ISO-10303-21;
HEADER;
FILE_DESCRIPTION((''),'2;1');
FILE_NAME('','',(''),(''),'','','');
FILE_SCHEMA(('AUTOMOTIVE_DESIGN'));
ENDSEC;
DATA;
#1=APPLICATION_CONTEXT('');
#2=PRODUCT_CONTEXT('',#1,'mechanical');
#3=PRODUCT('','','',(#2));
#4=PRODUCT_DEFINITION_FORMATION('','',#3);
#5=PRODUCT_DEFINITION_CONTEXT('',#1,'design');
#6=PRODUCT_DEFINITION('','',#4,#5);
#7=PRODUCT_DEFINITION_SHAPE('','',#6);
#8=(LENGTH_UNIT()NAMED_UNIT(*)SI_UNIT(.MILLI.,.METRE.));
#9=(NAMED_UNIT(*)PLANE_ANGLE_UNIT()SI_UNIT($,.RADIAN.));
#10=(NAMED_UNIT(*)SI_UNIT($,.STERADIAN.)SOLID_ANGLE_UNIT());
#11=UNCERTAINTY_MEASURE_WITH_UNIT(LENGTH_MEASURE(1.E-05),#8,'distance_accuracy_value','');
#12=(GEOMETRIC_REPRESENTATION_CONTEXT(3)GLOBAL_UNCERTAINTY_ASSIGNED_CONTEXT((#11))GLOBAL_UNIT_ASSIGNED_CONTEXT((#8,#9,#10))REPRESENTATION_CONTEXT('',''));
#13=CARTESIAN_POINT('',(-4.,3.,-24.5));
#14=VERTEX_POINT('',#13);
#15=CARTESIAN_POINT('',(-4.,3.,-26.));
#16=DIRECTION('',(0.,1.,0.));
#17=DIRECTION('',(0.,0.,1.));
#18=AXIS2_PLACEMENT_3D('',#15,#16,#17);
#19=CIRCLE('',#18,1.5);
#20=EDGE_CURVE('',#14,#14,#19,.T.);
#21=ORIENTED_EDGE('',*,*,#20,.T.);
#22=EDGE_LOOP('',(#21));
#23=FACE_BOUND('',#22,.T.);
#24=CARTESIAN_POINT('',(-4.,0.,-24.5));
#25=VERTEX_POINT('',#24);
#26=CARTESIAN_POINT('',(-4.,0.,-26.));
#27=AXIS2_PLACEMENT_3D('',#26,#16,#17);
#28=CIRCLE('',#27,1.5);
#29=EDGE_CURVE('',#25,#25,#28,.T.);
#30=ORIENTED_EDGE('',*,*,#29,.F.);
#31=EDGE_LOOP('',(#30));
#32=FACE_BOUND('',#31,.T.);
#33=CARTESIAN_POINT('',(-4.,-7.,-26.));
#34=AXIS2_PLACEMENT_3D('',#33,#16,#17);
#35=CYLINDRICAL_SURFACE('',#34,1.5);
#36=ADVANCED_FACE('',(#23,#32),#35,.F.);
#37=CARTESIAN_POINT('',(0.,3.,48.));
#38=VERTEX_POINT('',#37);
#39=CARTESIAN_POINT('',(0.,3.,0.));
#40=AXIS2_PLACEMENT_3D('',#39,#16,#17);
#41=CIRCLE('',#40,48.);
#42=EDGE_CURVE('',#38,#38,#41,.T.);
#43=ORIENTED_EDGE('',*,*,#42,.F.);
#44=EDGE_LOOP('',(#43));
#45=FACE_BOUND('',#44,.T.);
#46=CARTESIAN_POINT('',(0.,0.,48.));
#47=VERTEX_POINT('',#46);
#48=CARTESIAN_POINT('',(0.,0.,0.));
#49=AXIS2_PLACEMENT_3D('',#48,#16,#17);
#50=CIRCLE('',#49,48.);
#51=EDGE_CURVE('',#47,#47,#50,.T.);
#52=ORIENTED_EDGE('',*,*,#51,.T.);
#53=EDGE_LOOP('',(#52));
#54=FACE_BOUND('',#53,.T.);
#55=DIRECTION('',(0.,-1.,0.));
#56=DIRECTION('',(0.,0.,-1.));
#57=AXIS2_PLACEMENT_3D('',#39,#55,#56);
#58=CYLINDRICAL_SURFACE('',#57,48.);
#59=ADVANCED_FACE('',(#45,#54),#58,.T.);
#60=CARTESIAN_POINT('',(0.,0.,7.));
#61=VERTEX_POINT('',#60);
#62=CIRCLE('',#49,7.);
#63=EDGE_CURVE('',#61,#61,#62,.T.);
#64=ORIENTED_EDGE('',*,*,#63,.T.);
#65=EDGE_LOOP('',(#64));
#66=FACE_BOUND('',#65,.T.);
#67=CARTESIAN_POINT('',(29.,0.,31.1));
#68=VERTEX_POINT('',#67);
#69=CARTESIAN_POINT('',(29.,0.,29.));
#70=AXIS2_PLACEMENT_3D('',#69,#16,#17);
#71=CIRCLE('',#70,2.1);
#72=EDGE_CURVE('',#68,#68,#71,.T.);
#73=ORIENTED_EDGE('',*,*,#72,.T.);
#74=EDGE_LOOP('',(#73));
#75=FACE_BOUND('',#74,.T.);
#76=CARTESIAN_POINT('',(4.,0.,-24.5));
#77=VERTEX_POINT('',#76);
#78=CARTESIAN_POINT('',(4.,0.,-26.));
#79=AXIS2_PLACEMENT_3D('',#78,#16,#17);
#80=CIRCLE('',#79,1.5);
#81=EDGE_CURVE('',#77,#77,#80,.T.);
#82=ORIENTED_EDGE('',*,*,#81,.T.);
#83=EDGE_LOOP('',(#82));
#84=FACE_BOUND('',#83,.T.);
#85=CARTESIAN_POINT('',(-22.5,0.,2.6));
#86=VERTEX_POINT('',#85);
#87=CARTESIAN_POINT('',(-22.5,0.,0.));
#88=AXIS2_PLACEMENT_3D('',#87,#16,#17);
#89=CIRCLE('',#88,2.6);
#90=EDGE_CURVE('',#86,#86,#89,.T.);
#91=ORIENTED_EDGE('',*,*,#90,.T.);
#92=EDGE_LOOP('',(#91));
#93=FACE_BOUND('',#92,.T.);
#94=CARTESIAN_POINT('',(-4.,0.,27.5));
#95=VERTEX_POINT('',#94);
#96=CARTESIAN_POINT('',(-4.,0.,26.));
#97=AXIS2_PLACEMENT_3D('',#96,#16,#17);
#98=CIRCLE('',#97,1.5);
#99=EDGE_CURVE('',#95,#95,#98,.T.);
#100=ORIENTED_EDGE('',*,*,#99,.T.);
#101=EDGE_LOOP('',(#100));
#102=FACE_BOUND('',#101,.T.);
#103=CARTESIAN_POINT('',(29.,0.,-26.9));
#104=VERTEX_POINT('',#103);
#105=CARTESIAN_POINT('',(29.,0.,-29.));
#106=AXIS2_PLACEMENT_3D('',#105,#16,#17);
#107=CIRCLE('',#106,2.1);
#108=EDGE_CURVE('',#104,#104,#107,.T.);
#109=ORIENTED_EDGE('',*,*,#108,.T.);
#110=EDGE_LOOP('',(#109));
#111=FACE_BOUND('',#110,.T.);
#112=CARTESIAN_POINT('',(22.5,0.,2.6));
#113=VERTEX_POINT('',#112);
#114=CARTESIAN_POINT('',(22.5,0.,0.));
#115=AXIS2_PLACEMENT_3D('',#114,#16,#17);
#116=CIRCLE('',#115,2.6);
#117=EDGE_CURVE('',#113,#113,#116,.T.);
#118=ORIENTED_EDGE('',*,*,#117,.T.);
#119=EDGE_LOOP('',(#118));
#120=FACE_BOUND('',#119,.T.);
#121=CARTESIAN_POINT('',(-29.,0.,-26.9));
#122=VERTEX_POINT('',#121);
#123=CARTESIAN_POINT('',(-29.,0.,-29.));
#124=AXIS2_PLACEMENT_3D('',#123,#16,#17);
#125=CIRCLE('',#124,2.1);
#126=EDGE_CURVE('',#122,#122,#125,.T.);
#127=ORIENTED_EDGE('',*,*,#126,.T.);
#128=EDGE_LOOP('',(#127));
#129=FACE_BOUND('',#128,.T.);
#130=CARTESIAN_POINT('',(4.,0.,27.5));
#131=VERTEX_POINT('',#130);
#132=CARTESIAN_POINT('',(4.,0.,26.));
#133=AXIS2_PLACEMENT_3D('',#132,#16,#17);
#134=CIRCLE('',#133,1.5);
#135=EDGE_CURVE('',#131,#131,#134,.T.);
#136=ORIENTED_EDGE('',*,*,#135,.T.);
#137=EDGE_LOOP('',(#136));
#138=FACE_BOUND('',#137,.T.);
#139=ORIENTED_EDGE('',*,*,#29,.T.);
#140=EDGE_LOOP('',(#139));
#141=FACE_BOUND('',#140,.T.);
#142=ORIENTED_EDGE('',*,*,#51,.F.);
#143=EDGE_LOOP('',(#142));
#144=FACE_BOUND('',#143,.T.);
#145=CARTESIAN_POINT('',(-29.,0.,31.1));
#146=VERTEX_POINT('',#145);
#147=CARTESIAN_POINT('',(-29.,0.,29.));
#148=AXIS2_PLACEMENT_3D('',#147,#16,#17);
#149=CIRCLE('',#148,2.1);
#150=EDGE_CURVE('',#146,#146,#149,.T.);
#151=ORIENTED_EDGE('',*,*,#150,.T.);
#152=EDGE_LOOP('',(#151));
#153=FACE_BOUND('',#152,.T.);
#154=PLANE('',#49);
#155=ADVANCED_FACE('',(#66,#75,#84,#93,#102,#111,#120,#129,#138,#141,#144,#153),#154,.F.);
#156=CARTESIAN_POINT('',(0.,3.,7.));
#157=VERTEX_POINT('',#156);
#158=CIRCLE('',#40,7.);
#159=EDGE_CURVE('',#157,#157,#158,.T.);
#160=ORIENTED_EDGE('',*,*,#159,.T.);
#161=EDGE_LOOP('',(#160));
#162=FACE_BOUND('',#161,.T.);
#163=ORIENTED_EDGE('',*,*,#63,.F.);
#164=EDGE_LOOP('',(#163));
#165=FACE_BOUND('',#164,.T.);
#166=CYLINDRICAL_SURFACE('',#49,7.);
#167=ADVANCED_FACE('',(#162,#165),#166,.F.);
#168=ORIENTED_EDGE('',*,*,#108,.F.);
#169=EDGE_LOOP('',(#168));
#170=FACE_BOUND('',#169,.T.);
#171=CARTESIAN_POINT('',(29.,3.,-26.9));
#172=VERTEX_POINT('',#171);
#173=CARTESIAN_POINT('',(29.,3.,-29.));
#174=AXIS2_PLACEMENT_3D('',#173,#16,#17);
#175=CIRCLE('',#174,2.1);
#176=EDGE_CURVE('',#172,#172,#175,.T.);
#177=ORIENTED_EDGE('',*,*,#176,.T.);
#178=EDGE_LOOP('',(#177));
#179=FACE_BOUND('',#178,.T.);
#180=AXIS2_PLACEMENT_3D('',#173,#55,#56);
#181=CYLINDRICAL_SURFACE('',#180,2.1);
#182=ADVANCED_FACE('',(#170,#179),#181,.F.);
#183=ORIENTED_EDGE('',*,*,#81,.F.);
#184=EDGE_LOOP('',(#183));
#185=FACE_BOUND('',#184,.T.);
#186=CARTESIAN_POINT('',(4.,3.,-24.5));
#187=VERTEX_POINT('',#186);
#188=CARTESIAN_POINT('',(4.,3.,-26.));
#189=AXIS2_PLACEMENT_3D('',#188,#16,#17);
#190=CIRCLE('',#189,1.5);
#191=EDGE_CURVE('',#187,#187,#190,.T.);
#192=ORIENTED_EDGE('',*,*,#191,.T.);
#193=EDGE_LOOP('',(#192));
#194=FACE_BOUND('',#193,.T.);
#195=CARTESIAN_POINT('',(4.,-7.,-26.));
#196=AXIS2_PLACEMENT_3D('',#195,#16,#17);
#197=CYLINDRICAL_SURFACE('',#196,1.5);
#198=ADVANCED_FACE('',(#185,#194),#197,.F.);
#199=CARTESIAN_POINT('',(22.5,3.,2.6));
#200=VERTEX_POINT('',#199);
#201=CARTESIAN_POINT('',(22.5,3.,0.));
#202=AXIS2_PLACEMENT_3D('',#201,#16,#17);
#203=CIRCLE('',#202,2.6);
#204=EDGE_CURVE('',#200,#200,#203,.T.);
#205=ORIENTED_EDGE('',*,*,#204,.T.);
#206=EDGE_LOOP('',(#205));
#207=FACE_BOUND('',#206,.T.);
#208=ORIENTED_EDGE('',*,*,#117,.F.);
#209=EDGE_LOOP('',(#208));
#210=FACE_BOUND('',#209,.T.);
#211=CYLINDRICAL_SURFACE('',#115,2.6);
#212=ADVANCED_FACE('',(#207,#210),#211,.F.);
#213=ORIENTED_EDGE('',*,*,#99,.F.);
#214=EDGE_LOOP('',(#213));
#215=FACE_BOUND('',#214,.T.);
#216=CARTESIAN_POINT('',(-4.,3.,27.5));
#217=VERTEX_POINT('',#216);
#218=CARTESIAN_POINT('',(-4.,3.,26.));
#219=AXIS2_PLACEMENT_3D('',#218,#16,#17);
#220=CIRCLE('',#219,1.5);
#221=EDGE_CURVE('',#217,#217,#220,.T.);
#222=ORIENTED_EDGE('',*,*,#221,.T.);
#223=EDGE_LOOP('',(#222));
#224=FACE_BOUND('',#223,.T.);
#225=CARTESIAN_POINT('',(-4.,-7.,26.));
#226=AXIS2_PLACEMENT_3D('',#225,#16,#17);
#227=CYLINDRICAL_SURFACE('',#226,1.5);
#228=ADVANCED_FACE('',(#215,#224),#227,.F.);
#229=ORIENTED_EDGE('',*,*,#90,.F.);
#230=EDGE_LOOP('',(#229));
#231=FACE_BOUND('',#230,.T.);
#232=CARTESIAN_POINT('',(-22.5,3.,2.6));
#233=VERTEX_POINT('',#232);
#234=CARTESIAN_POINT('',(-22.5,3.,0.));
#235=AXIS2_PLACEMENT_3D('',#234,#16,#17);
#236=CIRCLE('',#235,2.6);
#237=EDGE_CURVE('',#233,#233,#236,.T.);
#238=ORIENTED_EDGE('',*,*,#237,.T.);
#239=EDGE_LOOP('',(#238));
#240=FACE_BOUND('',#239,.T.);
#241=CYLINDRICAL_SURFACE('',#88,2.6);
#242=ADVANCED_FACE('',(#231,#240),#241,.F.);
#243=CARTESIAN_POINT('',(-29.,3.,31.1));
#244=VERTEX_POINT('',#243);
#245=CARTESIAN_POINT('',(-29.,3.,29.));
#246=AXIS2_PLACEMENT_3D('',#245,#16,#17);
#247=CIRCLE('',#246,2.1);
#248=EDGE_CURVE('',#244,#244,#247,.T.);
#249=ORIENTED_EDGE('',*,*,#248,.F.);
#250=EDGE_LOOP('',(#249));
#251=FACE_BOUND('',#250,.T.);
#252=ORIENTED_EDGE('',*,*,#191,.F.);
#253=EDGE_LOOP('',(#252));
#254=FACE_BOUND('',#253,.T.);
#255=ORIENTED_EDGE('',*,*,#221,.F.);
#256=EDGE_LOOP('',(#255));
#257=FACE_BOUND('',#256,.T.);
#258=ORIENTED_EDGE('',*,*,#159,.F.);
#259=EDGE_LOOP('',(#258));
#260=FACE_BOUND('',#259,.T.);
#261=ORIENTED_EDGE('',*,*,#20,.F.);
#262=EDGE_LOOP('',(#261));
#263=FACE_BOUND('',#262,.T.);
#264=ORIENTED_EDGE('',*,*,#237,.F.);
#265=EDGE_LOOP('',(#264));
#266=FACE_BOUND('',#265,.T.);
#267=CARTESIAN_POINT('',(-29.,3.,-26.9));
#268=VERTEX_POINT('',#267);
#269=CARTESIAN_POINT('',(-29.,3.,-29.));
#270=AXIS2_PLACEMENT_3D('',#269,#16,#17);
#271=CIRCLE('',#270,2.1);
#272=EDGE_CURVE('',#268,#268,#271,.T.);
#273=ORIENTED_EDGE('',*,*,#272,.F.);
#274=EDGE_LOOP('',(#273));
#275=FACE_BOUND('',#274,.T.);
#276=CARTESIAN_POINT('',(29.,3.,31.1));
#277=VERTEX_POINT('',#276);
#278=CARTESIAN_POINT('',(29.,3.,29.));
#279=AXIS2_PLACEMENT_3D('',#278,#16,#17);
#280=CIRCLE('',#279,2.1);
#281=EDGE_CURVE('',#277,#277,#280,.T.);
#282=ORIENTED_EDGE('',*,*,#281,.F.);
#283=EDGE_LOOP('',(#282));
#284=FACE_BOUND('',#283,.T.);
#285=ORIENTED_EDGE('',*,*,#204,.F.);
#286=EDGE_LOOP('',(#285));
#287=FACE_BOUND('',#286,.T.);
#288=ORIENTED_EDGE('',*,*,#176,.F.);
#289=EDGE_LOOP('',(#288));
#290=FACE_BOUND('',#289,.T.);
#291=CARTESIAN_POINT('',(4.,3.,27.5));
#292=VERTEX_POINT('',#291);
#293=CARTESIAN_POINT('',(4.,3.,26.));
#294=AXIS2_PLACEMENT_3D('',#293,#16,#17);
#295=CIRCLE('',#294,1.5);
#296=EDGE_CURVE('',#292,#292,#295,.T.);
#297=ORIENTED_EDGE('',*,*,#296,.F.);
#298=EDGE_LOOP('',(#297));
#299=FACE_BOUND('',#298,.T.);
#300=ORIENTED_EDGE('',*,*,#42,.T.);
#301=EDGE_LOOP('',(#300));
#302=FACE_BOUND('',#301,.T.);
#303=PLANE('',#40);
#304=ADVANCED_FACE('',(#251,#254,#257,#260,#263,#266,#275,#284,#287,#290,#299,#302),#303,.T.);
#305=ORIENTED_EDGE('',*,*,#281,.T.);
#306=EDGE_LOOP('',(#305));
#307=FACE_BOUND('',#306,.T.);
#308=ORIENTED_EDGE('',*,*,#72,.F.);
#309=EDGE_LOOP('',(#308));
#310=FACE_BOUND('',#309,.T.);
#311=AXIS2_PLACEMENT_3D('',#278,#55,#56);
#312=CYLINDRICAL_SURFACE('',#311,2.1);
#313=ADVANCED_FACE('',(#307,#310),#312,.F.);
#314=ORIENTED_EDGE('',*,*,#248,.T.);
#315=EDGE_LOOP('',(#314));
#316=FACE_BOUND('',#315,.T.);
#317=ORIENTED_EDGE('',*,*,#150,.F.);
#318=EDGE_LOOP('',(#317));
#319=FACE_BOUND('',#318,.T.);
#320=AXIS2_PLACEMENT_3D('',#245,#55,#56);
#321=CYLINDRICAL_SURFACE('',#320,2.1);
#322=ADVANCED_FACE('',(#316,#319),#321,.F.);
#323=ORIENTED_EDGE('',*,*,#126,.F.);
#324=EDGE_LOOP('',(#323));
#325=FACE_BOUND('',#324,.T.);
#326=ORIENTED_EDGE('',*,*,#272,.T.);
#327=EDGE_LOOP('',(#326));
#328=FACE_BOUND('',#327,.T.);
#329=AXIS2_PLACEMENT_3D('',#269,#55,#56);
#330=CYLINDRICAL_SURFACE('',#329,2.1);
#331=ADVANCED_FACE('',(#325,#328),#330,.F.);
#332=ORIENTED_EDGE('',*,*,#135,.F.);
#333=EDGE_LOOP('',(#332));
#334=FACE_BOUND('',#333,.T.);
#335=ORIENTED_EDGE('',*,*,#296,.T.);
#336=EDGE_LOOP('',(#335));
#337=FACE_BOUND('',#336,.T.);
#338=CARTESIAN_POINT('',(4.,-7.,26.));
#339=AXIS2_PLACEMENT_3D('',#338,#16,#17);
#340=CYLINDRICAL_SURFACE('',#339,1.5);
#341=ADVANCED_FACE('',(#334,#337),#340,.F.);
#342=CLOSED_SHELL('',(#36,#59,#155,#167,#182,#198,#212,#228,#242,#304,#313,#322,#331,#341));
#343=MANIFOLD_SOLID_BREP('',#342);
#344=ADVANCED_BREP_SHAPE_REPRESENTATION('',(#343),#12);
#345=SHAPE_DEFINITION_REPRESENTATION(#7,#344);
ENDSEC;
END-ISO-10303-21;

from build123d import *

# Parameters (mm, degrees)
SKETCH_1_R          = 48
SKETCH_1_R_2        = 2.1
EXTRUDE_1_DEPTH     = 3
SKETCH_2_R          = 7
SKETCH_2_R_2        = 2.6
CUT_EXTRUDE_1_DEPTH = 68.948509917
SKETCH_3_R          = 1.5
CUT_EXTRUDE_2_DEPTH = 10


with BuildPart() as part:
    # 草图1 → 凸台-拉伸1 (new body)
    with BuildSketch(Plane(origin=(0, 0, 0), x_dir=(1, 0, 0), z_dir=(0, 1, 0))):
        with Locations(Location((0, 0, 0), (0, 0, 270))):
            Circle(SKETCH_1_R)
        with Locations(Location((-29, 29, 0), (0, 0, 270))):
            Circle(SKETCH_1_R_2, mode=Mode.SUBTRACT)
        with Locations(Location((29, 29, 0), (0, 0, 270))):
            Circle(SKETCH_1_R_2, mode=Mode.SUBTRACT)
        with Locations(Location((29, -29, 0), (0, 0, 270))):
            Circle(SKETCH_1_R_2, mode=Mode.SUBTRACT)
        with Locations(Location((-29, -29, 0), (0, 0, 270))):
            Circle(SKETCH_1_R_2, mode=Mode.SUBTRACT)
    extrude(amount=EXTRUDE_1_DEPTH)

    # 草图2 → 切除-拉伸1 (cut, through all)
    with BuildSketch(Plane(origin=(0, 3, 0), x_dir=(1, 0, 0), z_dir=(0, 1, 0))):
        with Locations(Location((0, 0, 0), (0, 0, 270))):
            Circle(SKETCH_2_R)
        with Locations(Location((-22.5, 0, 0), (0, 0, 270))):
            Circle(SKETCH_2_R_2)
        with Locations(Location((22.5, 0, 0), (0, 0, 270))):
            Circle(SKETCH_2_R_2)
    extrude(amount=-CUT_EXTRUDE_1_DEPTH, mode=Mode.SUBTRACT)

    # 草图3 → 切除-拉伸2 (cut)
    with BuildSketch(Plane(origin=(0, 3, 0), x_dir=(1, 0, 0), z_dir=(0, 1, 0))):
        with Locations(Location((4, 26, 0), (0, 0, 270))):
            Circle(SKETCH_3_R)
        with Locations(Location((-4, 26, 0), (0, 0, 270))):
            Circle(SKETCH_3_R)
        with Locations(Location((-4, -26, 0), (0, 0, 270))):
            Circle(SKETCH_3_R)
        with Locations(Location((4, -26, 0), (0, 0, 270))):
            Circle(SKETCH_3_R)
    extrude(amount=-CUT_EXTRUDE_2_DEPTH, mode=Mode.SUBTRACT)


solid = part.part
